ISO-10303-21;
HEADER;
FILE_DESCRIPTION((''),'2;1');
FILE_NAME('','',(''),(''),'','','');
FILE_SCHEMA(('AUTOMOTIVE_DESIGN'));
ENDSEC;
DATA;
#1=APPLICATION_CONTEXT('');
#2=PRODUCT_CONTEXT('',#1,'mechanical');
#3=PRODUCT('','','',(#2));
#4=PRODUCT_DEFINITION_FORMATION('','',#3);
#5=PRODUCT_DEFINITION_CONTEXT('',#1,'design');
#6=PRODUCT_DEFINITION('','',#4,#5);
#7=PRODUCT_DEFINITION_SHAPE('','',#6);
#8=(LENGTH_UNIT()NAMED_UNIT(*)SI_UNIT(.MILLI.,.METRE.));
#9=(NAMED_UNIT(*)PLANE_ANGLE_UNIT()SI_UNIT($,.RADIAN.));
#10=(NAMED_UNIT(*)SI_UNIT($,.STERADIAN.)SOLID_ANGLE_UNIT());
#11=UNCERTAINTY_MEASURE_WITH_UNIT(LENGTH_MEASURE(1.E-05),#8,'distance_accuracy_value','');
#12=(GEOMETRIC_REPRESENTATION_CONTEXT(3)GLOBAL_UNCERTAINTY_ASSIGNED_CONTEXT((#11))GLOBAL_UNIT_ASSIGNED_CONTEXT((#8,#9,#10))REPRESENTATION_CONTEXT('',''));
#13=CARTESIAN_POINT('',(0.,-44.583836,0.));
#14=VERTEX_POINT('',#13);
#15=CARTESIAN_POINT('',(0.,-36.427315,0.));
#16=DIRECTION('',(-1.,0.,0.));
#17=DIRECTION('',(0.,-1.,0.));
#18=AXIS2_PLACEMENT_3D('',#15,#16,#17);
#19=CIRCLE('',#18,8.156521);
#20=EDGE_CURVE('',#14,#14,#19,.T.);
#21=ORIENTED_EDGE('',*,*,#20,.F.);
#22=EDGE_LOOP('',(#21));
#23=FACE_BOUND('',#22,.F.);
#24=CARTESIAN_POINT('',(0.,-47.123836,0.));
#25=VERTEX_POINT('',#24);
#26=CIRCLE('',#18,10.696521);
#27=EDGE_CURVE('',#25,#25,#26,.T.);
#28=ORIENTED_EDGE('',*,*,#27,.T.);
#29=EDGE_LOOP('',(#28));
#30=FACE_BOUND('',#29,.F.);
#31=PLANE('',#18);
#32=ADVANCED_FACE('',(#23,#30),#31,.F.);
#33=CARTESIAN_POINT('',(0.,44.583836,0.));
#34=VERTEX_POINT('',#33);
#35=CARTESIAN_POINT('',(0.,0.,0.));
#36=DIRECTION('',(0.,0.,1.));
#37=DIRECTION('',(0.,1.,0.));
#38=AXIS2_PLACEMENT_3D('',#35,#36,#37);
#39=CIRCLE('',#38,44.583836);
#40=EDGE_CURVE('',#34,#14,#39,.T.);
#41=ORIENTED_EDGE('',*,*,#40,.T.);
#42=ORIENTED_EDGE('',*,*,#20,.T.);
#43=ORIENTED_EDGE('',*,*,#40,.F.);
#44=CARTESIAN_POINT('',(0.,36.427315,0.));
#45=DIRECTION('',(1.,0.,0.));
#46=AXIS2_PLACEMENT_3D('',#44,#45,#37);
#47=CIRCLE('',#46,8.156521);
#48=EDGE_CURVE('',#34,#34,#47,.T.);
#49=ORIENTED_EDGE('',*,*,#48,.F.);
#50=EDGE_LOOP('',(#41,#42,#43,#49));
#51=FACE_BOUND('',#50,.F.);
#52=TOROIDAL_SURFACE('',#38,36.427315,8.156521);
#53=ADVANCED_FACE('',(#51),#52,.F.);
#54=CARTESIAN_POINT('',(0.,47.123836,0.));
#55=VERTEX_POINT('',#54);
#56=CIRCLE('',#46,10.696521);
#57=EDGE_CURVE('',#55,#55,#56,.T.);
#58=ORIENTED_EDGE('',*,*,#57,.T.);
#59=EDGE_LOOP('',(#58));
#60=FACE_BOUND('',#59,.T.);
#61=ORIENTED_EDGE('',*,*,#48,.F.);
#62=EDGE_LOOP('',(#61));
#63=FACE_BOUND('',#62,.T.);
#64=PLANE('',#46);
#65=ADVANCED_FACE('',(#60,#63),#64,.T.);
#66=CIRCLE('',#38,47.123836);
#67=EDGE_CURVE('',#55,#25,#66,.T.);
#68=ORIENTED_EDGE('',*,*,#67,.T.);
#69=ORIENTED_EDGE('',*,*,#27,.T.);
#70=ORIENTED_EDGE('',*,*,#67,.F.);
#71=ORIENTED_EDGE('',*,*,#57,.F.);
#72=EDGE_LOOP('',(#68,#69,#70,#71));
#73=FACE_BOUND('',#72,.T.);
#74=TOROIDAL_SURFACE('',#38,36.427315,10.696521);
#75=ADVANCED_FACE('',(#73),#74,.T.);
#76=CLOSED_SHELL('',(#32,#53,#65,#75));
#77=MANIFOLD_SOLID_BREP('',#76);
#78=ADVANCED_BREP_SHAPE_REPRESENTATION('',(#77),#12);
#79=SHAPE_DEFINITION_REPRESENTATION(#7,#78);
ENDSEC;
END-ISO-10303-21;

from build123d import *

# Parameters (mm, degrees)
F0_R     = 10.696521
F1_ANGLE = 180
F2_T     = -2.54


with BuildPart() as f1:
    # F0 (on Right) → F1 (revolve)
    with BuildSketch(Plane.YZ):
        with Locations((36.427315, 0)):
            Circle(F0_R)
    revolve(axis=Axis((0, 0, -0.260195), (0, 0, 1)), revolution_arc=F1_ANGLE)

    # F2
    f2_openings = [f1.faces().sort_by_distance(p)[0] for p in [
        (0, -36.427315, 0),
        (0, 36.427315, 0),
    ]]
    offset(amount=F2_T, openings=f2_openings)


solid = f1.part
